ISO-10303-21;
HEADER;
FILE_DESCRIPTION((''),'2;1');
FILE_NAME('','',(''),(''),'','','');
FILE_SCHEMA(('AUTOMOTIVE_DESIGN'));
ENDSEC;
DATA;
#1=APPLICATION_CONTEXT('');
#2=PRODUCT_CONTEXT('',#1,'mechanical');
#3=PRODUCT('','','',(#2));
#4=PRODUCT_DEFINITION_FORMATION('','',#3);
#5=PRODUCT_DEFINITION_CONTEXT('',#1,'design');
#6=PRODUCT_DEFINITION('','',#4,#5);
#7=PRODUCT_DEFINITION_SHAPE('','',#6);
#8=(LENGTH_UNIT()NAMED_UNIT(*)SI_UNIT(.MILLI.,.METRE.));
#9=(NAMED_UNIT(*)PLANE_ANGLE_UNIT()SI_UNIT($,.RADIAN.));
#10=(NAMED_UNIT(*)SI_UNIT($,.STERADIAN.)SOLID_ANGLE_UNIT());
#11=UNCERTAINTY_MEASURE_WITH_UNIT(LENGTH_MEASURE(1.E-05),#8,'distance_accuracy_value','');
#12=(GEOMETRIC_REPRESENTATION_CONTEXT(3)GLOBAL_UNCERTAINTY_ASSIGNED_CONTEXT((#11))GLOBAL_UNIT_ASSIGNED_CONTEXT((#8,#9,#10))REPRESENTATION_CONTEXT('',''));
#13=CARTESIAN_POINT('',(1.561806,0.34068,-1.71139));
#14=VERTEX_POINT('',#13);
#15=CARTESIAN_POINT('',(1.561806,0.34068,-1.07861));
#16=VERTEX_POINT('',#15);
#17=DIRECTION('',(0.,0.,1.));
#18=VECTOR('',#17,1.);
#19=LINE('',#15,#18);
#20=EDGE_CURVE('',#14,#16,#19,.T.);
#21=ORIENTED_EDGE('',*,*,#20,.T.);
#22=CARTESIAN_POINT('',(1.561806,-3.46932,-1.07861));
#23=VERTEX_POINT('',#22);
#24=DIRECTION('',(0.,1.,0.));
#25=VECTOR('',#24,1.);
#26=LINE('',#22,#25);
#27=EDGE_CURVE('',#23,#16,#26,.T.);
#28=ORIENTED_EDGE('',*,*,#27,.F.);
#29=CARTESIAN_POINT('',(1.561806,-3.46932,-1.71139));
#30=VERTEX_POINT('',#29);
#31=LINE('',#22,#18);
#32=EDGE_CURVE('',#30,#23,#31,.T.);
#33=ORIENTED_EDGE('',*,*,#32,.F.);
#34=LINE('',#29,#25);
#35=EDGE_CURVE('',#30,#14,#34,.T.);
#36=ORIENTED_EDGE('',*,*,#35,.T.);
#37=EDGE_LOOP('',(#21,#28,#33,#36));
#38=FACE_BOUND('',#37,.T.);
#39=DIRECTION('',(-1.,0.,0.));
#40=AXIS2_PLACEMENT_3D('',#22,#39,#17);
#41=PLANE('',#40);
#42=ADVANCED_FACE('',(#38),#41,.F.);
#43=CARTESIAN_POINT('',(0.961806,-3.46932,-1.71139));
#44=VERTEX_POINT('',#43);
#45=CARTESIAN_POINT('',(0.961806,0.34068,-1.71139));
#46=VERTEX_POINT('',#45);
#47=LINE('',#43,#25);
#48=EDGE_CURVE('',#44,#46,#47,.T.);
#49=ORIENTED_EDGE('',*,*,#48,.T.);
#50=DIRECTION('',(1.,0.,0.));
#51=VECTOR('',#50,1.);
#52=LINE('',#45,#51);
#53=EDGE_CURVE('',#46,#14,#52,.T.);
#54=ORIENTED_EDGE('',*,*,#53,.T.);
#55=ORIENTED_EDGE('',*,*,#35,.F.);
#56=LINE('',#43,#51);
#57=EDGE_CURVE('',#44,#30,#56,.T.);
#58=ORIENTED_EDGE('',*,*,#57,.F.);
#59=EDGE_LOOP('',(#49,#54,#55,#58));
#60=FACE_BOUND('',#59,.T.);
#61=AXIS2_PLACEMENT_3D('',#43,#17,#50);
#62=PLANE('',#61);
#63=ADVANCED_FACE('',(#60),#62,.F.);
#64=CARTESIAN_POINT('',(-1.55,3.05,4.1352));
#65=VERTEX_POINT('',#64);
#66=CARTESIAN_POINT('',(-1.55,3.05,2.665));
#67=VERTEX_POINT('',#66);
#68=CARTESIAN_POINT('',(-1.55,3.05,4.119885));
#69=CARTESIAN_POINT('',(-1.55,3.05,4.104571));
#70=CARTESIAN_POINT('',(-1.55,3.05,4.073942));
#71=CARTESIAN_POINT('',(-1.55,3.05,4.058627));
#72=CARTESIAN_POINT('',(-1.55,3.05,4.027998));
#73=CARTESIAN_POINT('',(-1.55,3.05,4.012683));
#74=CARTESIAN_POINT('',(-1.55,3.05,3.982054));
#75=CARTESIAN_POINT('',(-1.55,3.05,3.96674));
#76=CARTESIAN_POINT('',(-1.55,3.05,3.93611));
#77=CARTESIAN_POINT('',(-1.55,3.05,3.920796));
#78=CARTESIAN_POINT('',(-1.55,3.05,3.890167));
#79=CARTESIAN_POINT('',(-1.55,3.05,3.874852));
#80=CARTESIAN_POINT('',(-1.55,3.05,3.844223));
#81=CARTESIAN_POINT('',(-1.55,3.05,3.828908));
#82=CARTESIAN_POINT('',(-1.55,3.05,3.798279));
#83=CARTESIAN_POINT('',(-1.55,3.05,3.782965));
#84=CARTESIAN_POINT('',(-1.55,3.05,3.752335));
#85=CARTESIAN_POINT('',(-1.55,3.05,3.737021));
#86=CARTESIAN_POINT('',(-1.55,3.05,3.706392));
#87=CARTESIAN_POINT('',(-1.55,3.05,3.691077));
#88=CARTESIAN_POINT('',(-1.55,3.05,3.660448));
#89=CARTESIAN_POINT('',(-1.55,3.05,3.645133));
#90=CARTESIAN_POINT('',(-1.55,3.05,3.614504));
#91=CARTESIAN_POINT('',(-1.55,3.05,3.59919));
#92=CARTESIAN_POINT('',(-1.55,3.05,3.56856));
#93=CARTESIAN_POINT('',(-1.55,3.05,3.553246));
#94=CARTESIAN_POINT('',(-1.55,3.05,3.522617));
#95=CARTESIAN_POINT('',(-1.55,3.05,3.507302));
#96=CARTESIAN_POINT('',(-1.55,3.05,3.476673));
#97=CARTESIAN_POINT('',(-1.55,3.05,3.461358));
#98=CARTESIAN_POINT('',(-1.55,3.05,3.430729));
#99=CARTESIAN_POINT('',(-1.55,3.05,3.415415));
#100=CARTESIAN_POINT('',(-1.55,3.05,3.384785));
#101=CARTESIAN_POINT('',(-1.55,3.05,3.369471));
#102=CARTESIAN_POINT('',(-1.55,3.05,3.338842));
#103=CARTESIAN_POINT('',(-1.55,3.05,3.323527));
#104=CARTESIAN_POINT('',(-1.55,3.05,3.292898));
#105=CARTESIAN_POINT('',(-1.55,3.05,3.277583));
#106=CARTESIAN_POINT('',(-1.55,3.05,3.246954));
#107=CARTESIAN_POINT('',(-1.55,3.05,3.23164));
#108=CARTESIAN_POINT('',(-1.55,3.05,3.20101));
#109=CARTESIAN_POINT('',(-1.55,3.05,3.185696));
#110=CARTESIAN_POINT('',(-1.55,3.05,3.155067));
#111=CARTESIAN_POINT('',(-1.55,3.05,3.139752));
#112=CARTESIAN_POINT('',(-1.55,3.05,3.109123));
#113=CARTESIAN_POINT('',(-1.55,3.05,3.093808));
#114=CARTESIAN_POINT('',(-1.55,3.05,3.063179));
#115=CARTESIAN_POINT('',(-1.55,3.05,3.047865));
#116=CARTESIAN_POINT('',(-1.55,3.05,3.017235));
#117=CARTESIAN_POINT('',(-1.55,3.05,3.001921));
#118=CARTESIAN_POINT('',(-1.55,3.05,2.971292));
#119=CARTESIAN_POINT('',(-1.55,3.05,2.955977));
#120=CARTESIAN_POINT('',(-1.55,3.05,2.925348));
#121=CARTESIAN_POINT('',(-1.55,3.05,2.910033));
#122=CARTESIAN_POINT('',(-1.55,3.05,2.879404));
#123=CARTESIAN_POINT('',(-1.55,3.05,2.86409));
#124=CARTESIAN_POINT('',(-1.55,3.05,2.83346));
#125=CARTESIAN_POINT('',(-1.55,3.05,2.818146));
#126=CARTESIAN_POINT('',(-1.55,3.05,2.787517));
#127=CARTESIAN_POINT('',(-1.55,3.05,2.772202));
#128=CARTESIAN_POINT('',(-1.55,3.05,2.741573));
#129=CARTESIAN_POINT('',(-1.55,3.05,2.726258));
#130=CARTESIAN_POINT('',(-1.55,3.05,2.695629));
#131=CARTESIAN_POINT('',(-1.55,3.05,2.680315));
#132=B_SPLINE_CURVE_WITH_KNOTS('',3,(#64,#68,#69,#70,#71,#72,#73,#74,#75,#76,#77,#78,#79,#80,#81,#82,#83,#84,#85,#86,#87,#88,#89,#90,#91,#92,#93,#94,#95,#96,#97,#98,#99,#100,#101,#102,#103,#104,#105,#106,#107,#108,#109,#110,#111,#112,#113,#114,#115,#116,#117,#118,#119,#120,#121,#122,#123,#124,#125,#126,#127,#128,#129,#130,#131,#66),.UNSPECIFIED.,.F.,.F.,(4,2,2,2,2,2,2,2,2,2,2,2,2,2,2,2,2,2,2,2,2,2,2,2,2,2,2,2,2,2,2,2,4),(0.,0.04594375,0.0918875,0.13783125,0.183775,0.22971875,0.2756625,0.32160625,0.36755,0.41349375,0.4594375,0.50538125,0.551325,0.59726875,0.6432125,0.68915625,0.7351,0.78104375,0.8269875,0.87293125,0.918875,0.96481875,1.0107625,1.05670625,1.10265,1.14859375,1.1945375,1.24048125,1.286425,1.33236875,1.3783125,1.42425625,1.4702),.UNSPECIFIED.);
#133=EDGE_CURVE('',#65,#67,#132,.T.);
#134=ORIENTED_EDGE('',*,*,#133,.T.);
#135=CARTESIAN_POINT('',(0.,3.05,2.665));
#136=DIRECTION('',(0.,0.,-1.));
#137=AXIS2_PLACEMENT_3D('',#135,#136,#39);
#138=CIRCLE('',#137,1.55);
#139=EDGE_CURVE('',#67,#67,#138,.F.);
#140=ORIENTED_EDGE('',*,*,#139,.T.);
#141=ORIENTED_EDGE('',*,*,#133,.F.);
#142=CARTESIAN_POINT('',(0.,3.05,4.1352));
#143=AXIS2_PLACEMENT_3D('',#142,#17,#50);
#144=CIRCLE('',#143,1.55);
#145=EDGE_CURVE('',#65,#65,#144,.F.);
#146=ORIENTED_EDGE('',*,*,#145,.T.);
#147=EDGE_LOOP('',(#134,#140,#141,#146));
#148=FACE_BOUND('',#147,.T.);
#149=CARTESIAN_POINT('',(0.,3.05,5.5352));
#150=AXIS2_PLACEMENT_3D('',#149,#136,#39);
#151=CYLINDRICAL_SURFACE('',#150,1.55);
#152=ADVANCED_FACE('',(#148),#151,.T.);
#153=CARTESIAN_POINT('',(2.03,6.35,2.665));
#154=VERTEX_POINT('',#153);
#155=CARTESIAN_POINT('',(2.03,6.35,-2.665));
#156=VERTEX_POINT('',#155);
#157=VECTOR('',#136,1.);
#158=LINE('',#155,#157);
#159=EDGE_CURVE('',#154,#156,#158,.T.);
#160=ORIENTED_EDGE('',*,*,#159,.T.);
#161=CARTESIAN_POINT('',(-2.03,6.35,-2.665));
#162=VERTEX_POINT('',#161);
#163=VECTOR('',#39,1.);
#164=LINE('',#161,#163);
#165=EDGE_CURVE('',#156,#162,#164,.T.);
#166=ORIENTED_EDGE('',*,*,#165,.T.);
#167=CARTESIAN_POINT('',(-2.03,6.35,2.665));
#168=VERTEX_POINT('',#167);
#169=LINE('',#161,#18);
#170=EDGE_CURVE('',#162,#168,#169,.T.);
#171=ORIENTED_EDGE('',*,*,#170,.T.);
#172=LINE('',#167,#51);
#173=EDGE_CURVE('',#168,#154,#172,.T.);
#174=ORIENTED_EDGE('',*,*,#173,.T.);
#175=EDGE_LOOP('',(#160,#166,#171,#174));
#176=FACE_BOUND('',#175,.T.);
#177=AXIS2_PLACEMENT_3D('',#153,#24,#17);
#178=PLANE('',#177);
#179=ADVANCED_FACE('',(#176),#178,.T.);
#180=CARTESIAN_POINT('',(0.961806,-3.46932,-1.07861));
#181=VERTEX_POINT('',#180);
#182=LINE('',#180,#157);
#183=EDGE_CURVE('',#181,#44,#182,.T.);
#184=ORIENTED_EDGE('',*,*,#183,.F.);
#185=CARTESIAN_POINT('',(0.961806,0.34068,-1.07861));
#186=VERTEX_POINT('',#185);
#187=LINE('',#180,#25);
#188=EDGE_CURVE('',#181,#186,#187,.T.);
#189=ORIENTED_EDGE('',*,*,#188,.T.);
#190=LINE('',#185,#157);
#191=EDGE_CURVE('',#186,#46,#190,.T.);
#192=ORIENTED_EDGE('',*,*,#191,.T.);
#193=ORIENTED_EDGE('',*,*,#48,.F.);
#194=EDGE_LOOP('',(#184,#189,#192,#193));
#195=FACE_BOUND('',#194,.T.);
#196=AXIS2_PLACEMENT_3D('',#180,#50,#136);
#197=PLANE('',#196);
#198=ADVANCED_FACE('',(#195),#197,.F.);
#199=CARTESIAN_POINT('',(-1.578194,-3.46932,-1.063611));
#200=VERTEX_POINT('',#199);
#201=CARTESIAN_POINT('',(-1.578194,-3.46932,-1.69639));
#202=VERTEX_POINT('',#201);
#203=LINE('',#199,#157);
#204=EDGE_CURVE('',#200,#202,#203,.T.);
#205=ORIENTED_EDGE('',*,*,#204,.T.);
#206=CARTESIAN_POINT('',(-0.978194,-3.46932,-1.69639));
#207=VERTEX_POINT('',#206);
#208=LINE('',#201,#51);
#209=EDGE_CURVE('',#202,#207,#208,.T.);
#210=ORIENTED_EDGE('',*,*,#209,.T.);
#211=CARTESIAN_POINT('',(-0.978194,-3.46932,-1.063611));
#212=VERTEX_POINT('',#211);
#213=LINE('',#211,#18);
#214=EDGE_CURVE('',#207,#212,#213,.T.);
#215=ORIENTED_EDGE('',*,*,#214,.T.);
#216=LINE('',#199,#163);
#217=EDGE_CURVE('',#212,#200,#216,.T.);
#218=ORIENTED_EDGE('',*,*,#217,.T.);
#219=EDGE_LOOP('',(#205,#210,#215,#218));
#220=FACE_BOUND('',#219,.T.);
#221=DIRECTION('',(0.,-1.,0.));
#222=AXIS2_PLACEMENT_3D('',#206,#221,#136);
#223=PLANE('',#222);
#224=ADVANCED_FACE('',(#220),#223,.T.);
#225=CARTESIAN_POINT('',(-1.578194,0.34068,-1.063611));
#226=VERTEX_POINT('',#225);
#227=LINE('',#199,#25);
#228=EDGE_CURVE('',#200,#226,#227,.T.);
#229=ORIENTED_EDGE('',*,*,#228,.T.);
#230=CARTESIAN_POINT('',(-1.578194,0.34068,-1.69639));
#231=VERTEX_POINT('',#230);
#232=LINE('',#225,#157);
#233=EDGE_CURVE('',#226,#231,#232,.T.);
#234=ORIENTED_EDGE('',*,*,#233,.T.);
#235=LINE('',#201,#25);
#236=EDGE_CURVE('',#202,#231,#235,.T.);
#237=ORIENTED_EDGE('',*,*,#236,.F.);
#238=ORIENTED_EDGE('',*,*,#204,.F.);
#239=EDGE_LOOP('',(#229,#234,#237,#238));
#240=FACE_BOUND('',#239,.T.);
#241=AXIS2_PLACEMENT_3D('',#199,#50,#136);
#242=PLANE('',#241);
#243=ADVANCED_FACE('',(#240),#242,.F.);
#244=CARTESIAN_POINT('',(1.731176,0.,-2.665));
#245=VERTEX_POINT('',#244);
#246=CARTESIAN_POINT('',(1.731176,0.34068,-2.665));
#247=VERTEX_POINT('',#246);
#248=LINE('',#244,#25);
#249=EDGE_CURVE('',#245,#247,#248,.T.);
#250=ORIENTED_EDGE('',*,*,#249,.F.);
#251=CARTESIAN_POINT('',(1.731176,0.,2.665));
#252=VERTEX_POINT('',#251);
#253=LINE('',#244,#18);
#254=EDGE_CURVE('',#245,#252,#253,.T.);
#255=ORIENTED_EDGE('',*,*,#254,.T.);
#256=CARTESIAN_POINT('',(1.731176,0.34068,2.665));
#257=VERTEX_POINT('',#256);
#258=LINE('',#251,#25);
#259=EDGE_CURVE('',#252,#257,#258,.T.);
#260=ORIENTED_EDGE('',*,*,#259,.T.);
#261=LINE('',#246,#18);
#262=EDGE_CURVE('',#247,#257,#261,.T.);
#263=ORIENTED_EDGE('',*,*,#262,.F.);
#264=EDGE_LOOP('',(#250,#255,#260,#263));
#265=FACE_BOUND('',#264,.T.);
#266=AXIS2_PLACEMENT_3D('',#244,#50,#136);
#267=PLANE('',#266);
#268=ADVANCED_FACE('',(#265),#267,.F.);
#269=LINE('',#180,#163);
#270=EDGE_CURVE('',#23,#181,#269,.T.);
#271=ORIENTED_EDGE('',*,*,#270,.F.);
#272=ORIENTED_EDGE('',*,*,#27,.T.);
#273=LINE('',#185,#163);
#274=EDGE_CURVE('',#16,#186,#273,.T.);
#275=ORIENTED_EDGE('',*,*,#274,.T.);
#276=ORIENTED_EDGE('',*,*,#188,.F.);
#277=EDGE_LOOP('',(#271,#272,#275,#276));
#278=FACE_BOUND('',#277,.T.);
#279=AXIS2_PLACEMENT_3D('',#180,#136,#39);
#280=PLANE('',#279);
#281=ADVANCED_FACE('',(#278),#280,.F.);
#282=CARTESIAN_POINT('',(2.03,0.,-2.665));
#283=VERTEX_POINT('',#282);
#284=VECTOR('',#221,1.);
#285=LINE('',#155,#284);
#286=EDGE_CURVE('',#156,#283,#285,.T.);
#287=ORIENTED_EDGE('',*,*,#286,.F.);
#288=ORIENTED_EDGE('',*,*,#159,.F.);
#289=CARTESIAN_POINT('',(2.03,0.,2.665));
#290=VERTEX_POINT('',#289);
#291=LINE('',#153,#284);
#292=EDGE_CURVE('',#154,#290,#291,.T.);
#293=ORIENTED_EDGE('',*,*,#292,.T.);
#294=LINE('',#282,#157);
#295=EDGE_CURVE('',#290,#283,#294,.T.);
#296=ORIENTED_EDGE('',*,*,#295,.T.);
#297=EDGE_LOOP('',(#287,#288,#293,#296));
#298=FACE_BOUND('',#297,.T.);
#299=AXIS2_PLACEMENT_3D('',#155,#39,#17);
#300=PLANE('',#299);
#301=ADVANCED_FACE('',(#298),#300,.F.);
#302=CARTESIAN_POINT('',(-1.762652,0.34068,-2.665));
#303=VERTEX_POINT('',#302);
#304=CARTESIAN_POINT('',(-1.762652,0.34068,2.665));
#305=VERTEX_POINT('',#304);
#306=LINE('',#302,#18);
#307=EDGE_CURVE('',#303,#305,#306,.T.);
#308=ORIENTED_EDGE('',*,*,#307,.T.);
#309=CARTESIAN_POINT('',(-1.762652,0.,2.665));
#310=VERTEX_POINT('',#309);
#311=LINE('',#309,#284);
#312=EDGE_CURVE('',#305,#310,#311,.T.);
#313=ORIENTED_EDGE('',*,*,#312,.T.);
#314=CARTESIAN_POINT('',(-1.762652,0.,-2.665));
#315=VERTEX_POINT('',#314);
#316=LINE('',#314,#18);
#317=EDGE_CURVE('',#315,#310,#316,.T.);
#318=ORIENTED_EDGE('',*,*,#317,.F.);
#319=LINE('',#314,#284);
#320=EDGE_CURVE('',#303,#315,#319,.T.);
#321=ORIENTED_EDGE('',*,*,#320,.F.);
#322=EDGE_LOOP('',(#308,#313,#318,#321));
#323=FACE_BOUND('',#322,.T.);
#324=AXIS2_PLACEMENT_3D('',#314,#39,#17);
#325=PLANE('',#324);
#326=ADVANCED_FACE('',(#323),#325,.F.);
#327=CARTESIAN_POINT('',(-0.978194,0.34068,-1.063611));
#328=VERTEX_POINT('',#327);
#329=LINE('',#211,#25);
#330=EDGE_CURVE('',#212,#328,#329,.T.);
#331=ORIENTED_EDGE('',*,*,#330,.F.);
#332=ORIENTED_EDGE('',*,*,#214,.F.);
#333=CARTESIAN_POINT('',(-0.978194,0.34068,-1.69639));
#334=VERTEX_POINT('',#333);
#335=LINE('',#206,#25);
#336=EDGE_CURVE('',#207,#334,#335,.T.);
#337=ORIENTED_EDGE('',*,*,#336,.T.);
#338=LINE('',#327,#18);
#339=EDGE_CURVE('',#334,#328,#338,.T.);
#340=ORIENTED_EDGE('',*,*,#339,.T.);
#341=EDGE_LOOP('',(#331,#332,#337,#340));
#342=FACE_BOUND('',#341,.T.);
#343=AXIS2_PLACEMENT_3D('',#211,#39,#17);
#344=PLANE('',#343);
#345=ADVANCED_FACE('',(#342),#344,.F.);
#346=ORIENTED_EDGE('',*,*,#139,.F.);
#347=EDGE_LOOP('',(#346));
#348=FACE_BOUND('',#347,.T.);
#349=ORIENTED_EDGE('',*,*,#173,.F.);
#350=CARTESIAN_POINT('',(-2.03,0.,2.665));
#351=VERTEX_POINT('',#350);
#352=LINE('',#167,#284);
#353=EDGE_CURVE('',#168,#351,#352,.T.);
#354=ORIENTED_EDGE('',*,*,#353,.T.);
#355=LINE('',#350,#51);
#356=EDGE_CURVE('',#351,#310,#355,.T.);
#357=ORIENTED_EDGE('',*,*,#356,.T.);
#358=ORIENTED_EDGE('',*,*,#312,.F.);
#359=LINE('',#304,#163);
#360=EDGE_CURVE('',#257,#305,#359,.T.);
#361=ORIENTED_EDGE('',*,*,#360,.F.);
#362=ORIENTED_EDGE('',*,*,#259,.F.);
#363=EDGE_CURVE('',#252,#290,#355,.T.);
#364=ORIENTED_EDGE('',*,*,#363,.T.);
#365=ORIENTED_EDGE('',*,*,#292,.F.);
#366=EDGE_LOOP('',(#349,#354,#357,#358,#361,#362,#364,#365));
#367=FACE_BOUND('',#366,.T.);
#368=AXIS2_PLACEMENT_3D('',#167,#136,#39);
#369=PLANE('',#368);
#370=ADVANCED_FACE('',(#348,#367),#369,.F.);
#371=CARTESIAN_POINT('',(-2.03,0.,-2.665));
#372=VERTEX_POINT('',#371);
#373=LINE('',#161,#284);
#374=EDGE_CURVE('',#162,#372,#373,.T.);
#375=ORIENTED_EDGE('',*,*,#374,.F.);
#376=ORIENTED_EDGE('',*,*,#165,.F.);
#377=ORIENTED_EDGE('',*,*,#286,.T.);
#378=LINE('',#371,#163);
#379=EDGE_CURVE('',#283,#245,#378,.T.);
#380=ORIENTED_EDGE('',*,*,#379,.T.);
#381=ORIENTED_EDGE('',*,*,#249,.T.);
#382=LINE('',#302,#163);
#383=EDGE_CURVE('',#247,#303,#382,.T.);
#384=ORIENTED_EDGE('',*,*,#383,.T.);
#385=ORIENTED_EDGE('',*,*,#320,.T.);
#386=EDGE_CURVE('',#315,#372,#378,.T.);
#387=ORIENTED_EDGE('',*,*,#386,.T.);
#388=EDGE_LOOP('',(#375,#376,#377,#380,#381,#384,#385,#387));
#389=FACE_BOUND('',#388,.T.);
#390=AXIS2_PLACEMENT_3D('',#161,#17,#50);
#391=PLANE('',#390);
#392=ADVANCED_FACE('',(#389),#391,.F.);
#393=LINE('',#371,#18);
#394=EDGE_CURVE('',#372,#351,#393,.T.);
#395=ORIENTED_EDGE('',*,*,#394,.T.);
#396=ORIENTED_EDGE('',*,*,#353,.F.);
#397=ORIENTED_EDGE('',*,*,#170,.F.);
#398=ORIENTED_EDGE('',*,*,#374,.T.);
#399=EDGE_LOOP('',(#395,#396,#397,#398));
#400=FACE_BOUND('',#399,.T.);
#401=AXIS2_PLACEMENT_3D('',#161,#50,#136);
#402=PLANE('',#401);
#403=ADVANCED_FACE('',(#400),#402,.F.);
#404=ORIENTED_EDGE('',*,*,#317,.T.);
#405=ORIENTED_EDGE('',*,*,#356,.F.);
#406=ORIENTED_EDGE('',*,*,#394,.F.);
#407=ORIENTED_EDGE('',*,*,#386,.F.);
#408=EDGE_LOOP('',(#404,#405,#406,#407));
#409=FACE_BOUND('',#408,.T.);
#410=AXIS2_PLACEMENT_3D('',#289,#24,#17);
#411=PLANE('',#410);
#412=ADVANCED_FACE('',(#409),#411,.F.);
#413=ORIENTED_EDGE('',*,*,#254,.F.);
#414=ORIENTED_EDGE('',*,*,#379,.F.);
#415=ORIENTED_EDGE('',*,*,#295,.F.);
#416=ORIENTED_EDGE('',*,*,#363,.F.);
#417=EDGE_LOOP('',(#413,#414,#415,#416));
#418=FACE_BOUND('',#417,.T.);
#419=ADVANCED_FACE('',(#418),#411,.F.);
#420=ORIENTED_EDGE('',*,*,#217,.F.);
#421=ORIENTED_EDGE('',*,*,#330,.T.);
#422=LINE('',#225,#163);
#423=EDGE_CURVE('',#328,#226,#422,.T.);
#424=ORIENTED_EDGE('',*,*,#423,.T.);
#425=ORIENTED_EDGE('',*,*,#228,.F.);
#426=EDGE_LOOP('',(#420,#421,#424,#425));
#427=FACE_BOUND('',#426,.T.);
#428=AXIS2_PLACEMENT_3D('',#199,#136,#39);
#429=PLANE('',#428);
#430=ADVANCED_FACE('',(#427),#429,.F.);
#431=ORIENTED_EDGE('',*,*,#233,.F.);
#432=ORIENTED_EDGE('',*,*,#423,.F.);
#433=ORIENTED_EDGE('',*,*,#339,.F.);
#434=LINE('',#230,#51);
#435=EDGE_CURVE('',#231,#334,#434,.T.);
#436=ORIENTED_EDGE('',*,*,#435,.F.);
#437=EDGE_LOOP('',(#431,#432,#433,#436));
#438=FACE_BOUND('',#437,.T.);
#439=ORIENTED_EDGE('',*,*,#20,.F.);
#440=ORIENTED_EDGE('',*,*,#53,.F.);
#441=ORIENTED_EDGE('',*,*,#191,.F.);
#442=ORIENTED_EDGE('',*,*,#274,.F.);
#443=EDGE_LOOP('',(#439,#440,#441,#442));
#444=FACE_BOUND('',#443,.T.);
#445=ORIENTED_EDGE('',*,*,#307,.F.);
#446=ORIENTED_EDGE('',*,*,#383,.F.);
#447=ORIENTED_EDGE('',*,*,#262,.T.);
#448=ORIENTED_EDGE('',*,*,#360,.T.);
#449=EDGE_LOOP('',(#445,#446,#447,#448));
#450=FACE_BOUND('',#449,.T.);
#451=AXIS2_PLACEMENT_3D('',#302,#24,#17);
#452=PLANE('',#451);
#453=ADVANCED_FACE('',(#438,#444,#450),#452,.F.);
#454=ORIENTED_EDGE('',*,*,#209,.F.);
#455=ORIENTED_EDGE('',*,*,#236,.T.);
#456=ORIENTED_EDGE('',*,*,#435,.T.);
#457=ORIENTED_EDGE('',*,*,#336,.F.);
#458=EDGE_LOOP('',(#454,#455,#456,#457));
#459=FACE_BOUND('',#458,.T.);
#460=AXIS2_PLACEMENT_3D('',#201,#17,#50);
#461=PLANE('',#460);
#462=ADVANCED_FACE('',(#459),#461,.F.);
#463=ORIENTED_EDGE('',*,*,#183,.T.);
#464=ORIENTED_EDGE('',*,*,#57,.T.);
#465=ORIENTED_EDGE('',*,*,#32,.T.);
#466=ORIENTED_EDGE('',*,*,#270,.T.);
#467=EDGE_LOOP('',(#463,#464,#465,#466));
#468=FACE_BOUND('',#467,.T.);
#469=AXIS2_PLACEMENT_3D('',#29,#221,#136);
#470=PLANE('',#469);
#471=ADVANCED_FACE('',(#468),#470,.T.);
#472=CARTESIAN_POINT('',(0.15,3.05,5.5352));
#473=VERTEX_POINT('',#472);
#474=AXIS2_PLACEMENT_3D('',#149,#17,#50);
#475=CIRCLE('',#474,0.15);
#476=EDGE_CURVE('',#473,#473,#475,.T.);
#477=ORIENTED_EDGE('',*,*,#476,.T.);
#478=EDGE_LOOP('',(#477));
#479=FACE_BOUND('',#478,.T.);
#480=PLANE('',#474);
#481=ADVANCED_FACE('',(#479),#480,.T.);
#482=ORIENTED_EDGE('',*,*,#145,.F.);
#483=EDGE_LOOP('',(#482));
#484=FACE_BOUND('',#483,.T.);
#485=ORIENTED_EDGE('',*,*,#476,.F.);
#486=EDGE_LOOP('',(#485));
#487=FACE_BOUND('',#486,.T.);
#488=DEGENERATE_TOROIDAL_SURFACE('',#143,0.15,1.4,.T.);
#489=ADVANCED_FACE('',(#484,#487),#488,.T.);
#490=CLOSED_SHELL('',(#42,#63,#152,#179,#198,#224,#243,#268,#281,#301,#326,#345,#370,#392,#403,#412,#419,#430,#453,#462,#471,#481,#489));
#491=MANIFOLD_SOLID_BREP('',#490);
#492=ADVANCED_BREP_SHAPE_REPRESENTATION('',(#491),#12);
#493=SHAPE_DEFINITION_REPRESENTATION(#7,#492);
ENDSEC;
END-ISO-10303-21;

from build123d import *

# Parameters (mm, degrees)
SKETCH1_W           = 4.06
SKETCH1_H           = 5.33
BOSS_EXTRUDE1_DEPTH = 6.35
SKETCH2_R           = 1.55
BOSS_EXTRUDE2_DEPTH = 2.8702
FILLET2_R           = 1.4
SKETCH4_W           = 3.493828458
SKETCH4_H           = 0.340679683
CUT_EXTRUDE1_DEPTH  = 9.53535588
SKETCH6_W           = 0.6
SKETCH6_H           = 0.632779055
SKETCH6_H_2         = 0.632779056
BOSS_EXTRUDE5_DEPTH = 3.81


with BuildPart() as part:
    # Sketch1 → Boss-Extrude1 (new body)
    with BuildSketch(Plane(origin=(0, 0, 0), x_dir=(1, 0, 0), z_dir=(0, 1, 0))):
        Rectangle(SKETCH1_W, SKETCH1_H)
    extrude(amount=BOSS_EXTRUDE1_DEPTH)

    # Sketch2 → Boss-Extrude2 (add)
    with BuildSketch(Plane.XY.offset(2.665)):
        with Locations(Location((0, 3.05, 0), (0, 0, 180))):
            Circle(SKETCH2_R)
    extrude(amount=BOSS_EXTRUDE2_DEPTH)

    # Fillet2
    fillet2_edges = [part.edges().sort_by_distance(p)[0] for p in [
        (1.55, 3.05, 5.5352),
    ]]
    fillet(fillet2_edges, radius=FILLET2_R)

    # Sketch4 → Cut-Extrude1 (cut, through all)
    with BuildSketch(Plane.XY.offset(2.665)):
        with Locations((-0.015737966, 0.170339842)):
            Rectangle(SKETCH4_W, SKETCH4_H)
    extrude(amount=-CUT_EXTRUDE1_DEPTH, mode=Mode.SUBTRACT)

    # Sketch6 → Boss-Extrude5 (add)
    with BuildSketch(Plane.XZ.offset(-0.340679683)):
        with Locations((-1.278193782, -1.380000213)):
            Rectangle(SKETCH6_W, SKETCH6_H)
        with Locations((1.261806218, -1.395)):
            Rectangle(SKETCH6_W, SKETCH6_H_2)
    extrude(amount=BOSS_EXTRUDE5_DEPTH)


solid = part.part
